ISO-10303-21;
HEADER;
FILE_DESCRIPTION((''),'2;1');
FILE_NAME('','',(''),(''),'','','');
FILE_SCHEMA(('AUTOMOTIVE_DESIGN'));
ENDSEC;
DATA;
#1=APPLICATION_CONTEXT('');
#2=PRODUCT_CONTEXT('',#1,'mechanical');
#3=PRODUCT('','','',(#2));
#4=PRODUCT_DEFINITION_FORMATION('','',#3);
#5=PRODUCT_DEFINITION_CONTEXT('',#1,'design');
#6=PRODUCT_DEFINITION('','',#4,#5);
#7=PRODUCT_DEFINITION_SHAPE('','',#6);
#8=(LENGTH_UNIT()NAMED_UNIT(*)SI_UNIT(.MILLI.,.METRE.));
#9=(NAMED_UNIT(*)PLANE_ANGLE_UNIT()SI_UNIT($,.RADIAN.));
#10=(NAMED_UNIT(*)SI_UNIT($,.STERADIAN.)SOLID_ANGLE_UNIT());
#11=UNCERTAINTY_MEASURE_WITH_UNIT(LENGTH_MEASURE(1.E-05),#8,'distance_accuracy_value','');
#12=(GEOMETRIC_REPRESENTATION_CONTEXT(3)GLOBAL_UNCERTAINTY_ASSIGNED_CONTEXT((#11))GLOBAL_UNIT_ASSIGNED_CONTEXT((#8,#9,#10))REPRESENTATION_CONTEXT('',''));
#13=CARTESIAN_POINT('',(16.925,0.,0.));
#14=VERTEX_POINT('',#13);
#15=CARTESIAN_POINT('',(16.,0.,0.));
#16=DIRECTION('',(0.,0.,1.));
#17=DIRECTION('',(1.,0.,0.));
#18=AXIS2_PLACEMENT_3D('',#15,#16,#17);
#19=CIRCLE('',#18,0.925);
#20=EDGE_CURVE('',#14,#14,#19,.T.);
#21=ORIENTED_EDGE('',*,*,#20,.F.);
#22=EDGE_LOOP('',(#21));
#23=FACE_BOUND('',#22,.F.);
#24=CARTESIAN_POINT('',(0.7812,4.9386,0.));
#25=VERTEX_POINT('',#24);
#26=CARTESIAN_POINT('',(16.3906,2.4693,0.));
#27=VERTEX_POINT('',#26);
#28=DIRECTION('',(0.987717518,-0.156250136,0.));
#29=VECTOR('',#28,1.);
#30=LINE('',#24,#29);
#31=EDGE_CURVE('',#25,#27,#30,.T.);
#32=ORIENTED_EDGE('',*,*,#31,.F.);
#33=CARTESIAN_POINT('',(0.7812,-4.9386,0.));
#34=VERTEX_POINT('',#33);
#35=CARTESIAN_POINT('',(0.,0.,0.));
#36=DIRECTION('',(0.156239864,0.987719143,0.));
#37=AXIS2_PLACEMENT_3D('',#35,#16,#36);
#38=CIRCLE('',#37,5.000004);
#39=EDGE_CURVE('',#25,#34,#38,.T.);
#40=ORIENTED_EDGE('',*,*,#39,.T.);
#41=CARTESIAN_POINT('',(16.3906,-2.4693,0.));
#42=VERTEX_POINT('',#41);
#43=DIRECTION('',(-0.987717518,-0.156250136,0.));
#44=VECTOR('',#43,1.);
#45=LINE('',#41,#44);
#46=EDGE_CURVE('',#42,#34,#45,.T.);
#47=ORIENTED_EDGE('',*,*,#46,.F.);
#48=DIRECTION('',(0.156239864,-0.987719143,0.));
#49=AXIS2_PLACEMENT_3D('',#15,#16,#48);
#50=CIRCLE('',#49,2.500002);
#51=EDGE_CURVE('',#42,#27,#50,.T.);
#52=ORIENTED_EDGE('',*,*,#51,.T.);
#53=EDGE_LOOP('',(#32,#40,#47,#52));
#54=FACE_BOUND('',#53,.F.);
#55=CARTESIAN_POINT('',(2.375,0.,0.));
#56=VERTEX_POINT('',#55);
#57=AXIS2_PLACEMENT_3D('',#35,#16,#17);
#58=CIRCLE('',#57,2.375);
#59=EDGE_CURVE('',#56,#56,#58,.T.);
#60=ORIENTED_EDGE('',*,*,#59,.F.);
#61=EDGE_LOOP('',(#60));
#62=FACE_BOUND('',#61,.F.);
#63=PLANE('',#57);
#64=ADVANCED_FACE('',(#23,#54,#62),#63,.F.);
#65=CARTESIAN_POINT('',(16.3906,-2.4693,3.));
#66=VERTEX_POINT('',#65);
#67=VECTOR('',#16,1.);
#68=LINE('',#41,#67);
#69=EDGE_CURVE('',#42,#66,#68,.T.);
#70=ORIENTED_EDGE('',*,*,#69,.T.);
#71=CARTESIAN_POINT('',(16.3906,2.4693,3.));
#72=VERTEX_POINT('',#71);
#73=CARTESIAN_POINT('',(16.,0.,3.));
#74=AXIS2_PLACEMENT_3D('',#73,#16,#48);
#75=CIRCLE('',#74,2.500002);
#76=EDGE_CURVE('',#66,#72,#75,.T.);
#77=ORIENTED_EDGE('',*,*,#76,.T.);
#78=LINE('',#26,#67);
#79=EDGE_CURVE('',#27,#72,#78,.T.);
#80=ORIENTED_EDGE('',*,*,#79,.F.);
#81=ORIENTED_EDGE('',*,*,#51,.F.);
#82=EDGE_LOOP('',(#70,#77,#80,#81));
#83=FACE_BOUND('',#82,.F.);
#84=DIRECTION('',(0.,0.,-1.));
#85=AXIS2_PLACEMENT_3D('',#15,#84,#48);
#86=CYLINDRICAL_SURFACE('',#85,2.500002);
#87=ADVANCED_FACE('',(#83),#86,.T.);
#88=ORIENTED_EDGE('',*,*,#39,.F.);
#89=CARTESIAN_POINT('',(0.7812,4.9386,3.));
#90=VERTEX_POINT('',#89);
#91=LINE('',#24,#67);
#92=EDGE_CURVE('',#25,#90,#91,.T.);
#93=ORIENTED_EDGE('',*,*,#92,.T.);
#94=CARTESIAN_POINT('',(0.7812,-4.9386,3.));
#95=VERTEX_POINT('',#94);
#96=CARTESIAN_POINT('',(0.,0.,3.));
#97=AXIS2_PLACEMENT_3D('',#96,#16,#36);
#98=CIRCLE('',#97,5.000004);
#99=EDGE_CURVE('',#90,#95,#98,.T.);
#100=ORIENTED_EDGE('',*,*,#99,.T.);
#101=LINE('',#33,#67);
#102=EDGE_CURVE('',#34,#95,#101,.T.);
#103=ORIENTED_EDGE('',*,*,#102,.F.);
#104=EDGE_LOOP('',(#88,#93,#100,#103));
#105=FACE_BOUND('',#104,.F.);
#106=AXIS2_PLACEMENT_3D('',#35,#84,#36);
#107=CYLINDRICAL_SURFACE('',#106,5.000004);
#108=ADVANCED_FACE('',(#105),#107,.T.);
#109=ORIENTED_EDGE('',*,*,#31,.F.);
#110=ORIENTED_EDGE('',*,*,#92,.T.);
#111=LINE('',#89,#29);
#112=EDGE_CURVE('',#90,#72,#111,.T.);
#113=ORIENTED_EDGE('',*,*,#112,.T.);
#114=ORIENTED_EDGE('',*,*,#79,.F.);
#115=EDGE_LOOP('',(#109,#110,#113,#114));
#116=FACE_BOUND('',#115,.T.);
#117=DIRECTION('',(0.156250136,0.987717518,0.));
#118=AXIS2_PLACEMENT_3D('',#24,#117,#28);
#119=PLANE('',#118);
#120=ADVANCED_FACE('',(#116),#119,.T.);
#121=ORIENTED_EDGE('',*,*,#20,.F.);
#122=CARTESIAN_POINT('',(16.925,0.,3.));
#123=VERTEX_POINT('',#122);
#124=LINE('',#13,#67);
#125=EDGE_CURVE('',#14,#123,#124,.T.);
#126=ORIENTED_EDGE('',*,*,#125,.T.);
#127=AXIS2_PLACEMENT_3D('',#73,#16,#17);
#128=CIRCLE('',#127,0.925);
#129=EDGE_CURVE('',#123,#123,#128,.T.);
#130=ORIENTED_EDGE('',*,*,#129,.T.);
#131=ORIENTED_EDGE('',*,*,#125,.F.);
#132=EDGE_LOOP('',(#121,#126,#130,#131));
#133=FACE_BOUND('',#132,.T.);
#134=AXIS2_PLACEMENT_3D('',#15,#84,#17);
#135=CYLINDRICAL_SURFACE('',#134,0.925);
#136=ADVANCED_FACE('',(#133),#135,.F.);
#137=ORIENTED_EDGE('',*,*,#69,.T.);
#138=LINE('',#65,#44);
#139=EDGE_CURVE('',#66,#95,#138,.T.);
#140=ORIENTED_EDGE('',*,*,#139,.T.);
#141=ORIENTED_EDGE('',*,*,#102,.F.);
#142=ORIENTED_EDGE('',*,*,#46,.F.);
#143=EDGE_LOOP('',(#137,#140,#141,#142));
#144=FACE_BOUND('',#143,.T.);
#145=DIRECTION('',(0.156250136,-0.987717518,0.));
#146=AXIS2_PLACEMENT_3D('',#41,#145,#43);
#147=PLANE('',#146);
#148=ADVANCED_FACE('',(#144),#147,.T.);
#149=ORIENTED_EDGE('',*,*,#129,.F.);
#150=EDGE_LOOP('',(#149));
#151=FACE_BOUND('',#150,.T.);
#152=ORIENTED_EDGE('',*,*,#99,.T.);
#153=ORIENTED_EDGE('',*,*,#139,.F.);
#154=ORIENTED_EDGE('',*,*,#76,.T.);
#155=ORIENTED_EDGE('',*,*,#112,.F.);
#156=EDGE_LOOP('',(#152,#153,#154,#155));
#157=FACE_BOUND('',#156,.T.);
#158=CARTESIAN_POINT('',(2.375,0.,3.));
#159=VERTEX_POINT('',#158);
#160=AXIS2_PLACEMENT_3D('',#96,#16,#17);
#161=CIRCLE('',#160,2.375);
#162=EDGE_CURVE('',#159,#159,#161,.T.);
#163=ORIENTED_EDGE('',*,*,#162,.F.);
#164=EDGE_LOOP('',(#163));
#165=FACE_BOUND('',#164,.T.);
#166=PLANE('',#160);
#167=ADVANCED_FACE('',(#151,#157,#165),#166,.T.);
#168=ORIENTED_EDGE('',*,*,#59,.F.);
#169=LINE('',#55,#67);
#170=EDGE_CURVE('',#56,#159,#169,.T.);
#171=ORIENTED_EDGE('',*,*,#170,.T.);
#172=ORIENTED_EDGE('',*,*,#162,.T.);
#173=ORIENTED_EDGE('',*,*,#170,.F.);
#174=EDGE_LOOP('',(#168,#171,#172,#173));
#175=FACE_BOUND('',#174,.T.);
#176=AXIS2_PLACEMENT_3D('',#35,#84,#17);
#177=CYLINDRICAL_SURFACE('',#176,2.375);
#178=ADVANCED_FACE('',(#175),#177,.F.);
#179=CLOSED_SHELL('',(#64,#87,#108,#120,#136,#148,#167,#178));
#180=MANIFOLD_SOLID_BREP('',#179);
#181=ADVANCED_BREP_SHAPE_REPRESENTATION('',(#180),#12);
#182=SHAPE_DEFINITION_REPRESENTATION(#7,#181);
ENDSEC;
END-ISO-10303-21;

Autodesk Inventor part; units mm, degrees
ref_plane "YZ Plane" through (0, 0, 0) normal (1, 0, 0) x (0, 1, 0)
ref_plane "XZ Plane" through (0, 0, 0) normal (0, 1, 0) x (-1, 0, 0)
ref_plane "XY Plane" through (0, 0, 0) normal (0, 0, 1) x (1, 0, 0)
sketch "Sketch1" plane through (0, 0, 0) normal (0, 0, 1) x (1, 0, 0)
  circle A0 centre (0, 0) radius 2.375
  line L0 (0.7812, 4.9386) -> (16.3906, 2.4693)
  arc A1 (16.3906, -2.4693) -> (16.3906, 2.4693) centre (16, 0) ccw
  line L1 (16.3906, -2.4693) -> (0.7812, -4.9386)
  arc A2 (0.7812, 4.9386) -> (0.7812, -4.9386) centre (0, 0) ccw
  circle A3 centre (16, 0) radius 0.925
  dimension "d0" = 4.75
  dimension "d3" = 2.5
  dimension "d6" = 5
  dimension "d7" = 16
  dimension "d8" = 1.85
extrude "Extrusion1" add sketch "Sketch1" along normal blind 3
properties part number "slider_link_p2"
